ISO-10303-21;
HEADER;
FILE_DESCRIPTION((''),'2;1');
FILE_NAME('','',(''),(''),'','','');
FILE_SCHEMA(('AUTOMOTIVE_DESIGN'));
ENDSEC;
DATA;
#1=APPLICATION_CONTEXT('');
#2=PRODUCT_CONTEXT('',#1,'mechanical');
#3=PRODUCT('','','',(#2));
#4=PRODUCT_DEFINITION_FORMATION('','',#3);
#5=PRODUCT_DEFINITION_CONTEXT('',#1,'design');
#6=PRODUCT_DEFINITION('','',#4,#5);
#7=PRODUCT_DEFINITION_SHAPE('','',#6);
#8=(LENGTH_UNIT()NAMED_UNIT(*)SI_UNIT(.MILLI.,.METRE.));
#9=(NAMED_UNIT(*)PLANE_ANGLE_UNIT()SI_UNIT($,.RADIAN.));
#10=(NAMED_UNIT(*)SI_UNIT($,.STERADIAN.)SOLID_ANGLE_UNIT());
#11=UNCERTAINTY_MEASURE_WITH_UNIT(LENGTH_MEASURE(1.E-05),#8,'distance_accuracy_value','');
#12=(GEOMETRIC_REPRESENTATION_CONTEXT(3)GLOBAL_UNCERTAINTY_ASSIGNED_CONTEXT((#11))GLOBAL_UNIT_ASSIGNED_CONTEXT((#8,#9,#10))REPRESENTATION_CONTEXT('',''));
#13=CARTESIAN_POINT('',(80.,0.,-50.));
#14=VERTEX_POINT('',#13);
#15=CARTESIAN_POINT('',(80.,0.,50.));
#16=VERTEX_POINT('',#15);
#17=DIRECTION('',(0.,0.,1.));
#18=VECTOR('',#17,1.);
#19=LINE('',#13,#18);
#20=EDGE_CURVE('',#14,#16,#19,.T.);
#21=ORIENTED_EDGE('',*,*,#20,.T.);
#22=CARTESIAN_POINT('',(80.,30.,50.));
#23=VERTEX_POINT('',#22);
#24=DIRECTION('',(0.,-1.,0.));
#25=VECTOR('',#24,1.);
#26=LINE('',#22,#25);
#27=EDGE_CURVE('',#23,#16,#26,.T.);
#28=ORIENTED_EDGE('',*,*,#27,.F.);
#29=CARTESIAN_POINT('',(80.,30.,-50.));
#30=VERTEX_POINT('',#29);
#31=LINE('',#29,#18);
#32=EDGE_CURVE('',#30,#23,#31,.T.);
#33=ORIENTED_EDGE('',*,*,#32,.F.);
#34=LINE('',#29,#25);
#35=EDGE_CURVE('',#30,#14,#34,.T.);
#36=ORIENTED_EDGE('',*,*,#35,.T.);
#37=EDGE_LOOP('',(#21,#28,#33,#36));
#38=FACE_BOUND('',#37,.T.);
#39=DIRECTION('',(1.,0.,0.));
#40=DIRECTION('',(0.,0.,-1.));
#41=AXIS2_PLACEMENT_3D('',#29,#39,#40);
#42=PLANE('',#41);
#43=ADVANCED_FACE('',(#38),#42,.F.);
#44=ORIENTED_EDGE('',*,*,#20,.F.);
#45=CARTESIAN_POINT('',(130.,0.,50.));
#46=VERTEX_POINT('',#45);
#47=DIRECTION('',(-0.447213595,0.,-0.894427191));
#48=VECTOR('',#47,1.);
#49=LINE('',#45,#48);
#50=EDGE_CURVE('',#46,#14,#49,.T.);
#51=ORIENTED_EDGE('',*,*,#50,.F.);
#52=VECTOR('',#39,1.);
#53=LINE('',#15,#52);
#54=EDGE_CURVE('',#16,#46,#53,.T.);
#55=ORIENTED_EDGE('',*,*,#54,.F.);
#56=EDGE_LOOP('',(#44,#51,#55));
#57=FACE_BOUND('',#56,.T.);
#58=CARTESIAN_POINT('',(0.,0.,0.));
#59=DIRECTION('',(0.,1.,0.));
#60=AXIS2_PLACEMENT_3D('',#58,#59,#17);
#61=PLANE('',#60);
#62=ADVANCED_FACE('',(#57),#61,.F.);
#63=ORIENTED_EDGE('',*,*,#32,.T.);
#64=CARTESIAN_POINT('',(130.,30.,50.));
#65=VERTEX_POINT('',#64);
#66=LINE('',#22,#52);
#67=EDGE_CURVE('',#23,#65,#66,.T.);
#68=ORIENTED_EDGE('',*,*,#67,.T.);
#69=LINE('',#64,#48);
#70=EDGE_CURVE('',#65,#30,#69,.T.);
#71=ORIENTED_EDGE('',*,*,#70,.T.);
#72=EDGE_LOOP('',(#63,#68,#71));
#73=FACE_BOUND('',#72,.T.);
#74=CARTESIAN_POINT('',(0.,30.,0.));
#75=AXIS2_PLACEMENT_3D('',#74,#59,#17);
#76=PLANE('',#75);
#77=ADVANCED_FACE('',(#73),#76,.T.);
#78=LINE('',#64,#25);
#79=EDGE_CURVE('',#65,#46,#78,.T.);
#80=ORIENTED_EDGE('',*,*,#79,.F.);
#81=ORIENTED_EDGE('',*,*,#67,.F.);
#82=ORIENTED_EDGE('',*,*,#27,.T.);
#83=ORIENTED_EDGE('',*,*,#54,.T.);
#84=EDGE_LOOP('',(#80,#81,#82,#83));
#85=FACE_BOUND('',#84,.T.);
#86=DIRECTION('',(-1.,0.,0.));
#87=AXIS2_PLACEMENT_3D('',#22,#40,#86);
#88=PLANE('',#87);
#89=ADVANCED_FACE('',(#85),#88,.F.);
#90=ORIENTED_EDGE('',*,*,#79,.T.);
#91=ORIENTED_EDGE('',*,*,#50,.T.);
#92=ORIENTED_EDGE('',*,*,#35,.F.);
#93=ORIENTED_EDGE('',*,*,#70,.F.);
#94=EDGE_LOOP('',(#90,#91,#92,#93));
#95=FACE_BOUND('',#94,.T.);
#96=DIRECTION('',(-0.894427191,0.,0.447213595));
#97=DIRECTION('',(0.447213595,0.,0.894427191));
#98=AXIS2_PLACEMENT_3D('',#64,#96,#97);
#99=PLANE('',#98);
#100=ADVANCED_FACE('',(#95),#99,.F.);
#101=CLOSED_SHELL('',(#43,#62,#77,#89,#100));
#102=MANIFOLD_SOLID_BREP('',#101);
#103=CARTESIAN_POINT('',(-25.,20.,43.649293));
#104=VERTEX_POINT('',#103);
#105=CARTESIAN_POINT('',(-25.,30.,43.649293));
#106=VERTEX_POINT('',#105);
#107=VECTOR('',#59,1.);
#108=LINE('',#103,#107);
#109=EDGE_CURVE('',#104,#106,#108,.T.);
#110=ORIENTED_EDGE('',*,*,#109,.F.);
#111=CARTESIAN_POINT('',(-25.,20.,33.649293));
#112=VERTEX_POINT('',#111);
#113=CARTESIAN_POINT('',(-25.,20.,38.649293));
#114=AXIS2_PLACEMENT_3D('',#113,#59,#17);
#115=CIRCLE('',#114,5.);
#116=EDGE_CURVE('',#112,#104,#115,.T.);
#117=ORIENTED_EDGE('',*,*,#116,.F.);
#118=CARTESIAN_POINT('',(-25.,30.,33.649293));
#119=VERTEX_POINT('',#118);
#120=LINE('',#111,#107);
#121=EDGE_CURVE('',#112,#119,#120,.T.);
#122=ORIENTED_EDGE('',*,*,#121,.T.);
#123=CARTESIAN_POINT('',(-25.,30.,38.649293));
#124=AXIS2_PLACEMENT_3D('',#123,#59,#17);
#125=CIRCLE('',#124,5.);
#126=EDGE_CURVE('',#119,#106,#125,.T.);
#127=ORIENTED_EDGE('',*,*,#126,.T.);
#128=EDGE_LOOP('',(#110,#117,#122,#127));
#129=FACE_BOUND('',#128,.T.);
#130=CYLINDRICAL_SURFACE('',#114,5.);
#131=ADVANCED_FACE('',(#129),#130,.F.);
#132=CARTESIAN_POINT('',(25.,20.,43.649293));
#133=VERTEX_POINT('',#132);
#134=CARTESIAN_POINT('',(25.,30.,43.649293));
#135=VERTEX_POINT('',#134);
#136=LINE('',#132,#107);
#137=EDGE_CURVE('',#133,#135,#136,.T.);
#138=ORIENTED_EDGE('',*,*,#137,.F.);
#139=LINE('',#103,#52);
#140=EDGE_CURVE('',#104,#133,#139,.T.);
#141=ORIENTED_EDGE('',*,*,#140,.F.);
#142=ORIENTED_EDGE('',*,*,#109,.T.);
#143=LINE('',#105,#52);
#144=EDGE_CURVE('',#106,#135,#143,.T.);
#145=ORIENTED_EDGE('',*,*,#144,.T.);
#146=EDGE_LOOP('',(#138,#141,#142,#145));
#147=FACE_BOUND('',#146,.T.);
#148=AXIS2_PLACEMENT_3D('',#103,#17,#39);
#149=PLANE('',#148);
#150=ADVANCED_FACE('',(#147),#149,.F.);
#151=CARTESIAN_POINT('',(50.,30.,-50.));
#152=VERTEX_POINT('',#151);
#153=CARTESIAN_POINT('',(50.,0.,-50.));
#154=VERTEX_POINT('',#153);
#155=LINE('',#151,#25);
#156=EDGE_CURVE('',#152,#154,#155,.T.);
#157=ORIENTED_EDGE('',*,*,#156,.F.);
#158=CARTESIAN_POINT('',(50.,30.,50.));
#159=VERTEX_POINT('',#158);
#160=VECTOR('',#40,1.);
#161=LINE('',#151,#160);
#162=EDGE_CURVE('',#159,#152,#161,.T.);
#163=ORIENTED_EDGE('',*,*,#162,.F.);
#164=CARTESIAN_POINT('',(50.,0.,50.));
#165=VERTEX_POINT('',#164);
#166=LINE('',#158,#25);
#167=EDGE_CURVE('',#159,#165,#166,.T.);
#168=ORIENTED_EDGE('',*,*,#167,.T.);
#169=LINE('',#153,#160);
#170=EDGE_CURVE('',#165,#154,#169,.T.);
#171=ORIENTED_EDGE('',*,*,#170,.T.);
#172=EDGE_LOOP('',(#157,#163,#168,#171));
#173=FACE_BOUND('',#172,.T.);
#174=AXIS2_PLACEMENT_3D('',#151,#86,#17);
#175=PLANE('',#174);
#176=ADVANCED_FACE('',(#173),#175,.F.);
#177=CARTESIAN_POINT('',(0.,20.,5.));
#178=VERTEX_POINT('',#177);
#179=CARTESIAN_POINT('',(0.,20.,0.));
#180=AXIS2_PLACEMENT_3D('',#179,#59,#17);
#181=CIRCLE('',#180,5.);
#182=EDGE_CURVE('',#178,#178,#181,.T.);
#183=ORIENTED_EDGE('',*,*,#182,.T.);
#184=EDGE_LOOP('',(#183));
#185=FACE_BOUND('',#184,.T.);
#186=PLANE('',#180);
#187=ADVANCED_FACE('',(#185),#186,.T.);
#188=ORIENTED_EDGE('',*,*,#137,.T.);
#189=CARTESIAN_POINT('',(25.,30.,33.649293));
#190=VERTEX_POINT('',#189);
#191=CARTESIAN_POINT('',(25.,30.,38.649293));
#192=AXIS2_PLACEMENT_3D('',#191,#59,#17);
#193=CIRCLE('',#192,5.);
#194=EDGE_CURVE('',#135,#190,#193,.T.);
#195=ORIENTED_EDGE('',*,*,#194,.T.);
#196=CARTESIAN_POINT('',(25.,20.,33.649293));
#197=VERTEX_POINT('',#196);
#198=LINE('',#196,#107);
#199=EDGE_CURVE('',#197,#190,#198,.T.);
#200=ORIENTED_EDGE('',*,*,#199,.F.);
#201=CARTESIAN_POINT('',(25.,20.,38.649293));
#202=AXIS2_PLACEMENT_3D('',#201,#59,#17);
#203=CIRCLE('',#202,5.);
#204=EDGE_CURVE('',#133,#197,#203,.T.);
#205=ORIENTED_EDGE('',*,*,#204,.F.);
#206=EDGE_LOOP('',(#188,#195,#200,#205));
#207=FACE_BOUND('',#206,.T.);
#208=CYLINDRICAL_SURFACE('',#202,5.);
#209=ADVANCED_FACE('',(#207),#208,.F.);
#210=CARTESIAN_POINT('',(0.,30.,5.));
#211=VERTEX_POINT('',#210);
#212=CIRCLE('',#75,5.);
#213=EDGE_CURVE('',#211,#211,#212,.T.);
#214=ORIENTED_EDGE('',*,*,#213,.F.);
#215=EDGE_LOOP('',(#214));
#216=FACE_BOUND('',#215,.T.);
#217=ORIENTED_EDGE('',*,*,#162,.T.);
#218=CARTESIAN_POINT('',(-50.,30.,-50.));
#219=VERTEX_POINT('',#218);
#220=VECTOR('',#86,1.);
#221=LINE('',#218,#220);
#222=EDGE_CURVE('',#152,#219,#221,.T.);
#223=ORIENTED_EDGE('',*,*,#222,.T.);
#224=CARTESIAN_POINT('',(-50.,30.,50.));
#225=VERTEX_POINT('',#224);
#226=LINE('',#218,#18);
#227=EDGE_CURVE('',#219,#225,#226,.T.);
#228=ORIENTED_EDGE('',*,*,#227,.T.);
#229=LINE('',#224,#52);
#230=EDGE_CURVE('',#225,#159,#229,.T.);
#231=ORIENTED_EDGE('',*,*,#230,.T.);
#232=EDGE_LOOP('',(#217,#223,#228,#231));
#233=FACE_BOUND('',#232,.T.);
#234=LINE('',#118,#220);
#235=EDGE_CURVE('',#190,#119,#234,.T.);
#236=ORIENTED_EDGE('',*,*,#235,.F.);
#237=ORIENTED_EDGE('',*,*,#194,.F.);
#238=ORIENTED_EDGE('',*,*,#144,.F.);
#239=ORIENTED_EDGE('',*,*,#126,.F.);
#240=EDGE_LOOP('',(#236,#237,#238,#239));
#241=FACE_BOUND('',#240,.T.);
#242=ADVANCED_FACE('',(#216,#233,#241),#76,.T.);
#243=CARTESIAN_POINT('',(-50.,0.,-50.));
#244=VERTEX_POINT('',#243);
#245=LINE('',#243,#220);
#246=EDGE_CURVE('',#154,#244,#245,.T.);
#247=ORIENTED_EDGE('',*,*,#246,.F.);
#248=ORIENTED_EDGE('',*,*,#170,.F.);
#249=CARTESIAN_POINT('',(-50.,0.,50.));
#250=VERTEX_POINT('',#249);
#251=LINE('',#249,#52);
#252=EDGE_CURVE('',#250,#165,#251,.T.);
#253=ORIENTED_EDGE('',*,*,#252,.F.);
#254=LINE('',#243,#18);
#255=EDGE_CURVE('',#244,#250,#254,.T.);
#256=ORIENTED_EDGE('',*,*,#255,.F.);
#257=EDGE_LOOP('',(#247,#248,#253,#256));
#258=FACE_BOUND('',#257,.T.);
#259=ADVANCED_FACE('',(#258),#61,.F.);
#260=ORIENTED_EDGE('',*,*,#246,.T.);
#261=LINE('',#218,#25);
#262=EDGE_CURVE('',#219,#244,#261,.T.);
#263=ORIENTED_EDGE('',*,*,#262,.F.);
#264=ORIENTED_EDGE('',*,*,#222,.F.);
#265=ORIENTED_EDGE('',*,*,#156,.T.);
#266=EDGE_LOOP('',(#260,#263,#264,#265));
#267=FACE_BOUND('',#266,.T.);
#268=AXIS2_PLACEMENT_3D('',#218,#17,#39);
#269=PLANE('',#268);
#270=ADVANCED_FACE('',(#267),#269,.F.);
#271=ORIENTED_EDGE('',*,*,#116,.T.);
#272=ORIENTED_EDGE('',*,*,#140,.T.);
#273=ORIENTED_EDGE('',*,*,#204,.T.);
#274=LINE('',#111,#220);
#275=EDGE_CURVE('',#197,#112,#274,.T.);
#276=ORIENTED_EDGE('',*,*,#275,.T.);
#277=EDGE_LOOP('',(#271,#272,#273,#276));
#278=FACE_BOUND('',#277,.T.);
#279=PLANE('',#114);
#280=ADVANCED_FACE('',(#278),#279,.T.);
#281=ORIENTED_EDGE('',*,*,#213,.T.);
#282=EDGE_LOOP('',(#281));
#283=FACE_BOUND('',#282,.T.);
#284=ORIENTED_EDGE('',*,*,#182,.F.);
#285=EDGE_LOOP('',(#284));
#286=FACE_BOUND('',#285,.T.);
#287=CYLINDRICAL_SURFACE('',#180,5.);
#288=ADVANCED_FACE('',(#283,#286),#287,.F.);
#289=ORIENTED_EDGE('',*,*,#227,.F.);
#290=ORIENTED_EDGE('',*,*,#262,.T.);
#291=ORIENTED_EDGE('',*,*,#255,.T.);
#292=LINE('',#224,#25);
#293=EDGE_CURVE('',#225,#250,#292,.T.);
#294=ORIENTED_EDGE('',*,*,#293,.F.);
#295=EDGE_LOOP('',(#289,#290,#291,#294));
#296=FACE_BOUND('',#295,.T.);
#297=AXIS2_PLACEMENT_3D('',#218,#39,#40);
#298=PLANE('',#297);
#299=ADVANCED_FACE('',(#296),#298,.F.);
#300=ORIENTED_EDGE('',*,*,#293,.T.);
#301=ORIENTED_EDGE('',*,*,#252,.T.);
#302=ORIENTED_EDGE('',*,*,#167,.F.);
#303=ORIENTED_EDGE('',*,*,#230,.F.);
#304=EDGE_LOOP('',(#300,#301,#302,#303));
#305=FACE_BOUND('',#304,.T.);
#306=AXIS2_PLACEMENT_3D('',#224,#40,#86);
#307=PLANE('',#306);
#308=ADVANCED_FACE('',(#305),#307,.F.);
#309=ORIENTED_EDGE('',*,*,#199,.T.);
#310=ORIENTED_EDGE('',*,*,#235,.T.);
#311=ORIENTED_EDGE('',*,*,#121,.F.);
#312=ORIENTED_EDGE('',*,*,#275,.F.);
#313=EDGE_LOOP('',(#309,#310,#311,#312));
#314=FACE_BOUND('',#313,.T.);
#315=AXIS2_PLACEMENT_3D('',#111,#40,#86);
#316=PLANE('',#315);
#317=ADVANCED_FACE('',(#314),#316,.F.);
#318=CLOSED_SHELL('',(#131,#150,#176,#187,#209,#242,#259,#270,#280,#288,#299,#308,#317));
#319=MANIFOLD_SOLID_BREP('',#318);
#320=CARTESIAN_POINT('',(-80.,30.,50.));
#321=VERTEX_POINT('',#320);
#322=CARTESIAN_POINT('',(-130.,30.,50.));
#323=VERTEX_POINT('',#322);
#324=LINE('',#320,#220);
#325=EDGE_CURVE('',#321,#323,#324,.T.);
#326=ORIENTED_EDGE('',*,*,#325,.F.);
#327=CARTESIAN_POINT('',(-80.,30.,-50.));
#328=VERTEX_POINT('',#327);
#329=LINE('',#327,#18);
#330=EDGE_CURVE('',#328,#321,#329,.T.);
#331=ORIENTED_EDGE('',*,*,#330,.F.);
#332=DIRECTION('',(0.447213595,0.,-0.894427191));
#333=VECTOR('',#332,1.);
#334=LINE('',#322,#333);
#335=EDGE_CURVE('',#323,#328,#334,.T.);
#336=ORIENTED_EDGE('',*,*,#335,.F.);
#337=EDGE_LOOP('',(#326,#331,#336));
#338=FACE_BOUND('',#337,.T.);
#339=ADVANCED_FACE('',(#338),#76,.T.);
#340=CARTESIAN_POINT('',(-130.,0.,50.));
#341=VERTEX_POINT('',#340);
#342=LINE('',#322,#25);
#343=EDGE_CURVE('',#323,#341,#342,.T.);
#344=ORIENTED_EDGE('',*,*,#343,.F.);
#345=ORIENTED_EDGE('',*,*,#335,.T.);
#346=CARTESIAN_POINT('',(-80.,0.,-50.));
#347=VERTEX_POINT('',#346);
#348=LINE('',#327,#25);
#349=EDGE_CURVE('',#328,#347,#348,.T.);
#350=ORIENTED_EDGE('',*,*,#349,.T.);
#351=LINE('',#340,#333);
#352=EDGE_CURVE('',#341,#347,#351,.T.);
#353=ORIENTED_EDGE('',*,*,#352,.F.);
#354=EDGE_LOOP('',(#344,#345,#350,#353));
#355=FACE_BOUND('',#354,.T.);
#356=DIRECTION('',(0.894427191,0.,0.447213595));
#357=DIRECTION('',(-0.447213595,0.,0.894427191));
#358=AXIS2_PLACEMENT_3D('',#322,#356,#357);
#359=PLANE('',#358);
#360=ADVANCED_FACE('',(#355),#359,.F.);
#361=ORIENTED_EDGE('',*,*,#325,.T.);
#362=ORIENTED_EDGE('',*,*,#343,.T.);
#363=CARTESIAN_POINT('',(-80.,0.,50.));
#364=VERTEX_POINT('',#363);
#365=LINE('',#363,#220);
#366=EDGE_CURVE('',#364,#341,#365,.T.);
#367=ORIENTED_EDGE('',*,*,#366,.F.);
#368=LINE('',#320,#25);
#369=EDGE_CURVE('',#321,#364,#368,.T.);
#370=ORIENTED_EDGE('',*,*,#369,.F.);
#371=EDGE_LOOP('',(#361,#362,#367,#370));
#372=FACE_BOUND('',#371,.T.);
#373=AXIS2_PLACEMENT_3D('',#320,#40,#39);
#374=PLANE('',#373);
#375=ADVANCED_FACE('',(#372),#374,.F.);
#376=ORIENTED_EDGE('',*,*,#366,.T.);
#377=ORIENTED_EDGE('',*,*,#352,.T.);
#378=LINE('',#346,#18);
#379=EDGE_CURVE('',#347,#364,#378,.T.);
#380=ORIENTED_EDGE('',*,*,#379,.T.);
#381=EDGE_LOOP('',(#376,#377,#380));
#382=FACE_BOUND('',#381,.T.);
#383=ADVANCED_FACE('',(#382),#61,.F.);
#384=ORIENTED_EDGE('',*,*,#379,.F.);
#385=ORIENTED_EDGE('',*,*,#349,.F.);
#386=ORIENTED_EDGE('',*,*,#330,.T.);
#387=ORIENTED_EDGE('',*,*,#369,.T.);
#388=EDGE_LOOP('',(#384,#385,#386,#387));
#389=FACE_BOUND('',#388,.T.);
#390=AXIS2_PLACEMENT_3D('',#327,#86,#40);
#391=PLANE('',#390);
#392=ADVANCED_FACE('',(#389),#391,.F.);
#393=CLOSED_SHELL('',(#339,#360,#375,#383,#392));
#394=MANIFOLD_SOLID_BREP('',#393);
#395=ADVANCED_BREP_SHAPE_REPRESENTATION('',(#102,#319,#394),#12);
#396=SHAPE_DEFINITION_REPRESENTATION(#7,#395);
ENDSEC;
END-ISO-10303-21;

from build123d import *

# Parameters (mm, degrees)
EXTRUDE_1_DEPTH     = 30
SKETCH_1_W          = 100
SKETCH_1_H          = 100
EXTRUDE_1_2_DEPTH   = 30
SKETCH_2_R          = 5
CUT_EXTRUDE_1_DEPTH = 10


with BuildPart() as part:
    # 草图1 → 凸台-拉伸1 (new body)
    with BuildSketch(Plane(origin=(0, 0, 0), x_dir=(1, 0, 0), z_dir=(0, 1, 0))):
        Polygon((80, -50), (130, -50), (80, 50), align=None)
    extrude(amount=EXTRUDE_1_DEPTH)


with BuildPart() as body_2:
    # 草图1 → Extrude 1 2 (new body)
    with BuildSketch(Plane(origin=(0, 0, 0), x_dir=(1, 0, 0), z_dir=(0, 1, 0))):
        Rectangle(SKETCH_1_W, SKETCH_1_H)
    extrude(amount=EXTRUDE_1_2_DEPTH)

    # 草图2 → 切除-拉伸1 (cut)
    with BuildSketch(Plane(origin=(0, 30, 0), x_dir=(1, 0, 0), z_dir=(0, 1, 0))):
        with Locations(Location((0, 0, 0), (0, 0, 270))):
            Circle(SKETCH_2_R)
        with BuildLine():
            Line((-25, -33.649292644), (25, -33.649292644))
            ThreePointArc((25, -33.649292644), (30, -38.649292644), (25, -43.649292644))
            Line((25, -43.649292644), (-25, -43.649292644))
            ThreePointArc((-25, -43.649292644), (-30, -38.649292644), (-25, -33.649292644))
        make_face()
    extrude(amount=-CUT_EXTRUDE_1_DEPTH, mode=Mode.SUBTRACT)


with BuildPart() as body_3:
    # 镜向1: mirrored copy
    add(part.part.mirror(Plane(origin=(0, 0, 0), x_dir=(0, 0, 1), z_dir=(1, 0, 0))))


solid = Compound([part.part, body_2.part, body_3.part])
